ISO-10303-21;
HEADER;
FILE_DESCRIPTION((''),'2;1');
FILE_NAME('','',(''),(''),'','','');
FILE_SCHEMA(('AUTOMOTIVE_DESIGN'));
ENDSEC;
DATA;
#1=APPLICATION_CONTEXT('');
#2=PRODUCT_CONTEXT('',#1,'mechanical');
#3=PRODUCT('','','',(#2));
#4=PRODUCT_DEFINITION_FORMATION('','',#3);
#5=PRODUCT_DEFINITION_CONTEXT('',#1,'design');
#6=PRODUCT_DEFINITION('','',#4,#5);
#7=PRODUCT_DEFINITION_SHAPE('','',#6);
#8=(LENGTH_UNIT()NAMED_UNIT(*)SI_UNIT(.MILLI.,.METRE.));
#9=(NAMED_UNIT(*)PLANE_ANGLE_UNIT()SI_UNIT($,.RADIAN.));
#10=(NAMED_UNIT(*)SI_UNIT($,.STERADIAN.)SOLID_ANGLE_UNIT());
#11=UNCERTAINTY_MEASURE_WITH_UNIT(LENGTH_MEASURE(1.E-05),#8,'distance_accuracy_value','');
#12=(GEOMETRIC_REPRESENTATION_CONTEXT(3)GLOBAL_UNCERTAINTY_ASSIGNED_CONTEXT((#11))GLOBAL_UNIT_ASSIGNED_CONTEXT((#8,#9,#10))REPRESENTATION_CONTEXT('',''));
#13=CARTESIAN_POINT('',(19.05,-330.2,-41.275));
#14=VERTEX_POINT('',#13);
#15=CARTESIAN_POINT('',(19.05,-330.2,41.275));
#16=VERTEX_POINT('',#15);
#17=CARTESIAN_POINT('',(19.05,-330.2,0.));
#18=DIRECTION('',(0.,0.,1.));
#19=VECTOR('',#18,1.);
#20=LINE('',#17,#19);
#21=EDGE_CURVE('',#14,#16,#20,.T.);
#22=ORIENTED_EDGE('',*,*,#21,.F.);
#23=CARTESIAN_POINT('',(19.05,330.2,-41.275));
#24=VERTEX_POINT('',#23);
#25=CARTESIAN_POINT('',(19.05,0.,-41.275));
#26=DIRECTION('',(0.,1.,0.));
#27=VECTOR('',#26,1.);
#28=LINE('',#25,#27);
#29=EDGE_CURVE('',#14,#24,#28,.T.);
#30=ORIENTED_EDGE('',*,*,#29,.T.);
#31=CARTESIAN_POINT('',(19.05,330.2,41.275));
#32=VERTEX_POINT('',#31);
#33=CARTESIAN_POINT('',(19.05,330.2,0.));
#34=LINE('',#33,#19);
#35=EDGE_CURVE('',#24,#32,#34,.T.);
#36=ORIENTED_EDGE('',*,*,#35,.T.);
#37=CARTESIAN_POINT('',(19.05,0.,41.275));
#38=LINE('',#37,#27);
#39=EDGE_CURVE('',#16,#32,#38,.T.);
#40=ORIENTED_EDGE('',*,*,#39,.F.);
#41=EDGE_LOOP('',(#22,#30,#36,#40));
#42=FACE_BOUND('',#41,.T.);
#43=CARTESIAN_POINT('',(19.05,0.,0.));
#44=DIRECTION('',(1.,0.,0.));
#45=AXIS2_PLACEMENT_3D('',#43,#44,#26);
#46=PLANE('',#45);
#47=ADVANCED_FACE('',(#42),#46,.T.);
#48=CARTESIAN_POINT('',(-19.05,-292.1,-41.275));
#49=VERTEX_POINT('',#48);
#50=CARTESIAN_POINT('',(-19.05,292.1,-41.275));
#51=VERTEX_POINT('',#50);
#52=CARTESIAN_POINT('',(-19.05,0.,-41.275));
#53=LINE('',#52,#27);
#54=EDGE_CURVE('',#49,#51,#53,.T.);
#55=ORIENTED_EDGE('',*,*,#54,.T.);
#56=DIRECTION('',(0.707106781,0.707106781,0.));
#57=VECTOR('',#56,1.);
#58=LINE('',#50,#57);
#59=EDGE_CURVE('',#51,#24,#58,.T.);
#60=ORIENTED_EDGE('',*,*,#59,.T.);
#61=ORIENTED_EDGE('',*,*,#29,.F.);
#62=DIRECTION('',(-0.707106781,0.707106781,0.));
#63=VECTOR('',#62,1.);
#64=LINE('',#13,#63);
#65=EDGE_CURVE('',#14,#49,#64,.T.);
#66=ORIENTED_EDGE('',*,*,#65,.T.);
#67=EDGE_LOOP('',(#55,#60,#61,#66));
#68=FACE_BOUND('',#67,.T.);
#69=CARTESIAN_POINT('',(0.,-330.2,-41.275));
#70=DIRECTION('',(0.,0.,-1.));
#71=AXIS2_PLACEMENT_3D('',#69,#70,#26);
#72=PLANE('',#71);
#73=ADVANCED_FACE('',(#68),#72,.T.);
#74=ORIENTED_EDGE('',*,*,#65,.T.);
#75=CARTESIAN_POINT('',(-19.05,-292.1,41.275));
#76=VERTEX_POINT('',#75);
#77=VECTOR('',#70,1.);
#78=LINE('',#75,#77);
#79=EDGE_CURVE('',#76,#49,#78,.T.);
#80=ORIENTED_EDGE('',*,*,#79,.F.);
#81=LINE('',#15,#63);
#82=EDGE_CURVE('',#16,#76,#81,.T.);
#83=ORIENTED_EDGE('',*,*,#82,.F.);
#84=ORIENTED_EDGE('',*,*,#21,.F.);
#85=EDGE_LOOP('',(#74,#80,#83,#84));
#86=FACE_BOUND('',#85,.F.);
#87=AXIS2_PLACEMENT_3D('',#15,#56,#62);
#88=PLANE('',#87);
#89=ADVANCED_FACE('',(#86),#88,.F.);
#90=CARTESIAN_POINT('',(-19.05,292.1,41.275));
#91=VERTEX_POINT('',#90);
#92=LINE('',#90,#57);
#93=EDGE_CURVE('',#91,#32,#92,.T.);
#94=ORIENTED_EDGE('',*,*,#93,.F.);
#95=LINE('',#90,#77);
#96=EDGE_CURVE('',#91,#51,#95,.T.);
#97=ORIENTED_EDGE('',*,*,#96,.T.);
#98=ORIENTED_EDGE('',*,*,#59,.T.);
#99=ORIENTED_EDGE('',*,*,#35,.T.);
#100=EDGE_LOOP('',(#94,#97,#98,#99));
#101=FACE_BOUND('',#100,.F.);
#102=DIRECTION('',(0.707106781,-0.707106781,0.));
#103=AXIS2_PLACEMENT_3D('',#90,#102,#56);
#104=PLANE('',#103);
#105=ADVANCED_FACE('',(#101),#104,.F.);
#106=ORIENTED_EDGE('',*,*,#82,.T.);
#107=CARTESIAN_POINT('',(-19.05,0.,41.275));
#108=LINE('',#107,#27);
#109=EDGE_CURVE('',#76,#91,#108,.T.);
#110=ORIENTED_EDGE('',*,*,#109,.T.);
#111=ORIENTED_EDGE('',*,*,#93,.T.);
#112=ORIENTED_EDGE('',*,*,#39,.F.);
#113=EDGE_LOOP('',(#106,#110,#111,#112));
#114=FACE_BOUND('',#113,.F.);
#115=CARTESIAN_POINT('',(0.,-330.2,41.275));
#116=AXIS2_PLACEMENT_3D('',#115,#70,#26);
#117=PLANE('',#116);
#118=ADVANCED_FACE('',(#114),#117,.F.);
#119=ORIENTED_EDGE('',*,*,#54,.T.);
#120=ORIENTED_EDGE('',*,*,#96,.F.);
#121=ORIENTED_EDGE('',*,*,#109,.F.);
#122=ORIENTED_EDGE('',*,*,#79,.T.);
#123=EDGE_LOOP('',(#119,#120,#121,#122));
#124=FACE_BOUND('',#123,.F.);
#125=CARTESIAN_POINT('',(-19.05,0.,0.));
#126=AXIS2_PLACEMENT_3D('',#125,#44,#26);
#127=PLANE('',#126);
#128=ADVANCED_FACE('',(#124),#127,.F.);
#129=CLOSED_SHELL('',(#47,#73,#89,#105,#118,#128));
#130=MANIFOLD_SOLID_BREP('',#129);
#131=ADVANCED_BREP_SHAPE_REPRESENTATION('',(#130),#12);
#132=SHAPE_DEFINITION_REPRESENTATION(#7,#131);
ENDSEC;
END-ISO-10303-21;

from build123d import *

# Parameters (mm, degrees)
F0_W     = 660.4
F0_H     = 82.55
F1_DEPTH = 19.05
F3_DEPTH = 82.55


with BuildPart() as f1:
    # F0 (on Right) → F1 (new body, symmetric)
    with BuildSketch(Plane.YZ):
        Rectangle(F0_W, F0_H)
    extrude(amount=F1_DEPTH, both=True)

    # F2 (on face) → F3 (cut, through all)
    with BuildSketch(Plane.XY.offset(41.275)):
        Polygon((-19.05, 330.2), (-19.05, 292.1), (19.05, 330.2), align=None)
        Polygon((-19.05, -330.2), (19.05, -330.2), (-19.05, -292.1), align=None)
    extrude(amount=-F3_DEPTH, mode=Mode.SUBTRACT)


solid = f1.part
